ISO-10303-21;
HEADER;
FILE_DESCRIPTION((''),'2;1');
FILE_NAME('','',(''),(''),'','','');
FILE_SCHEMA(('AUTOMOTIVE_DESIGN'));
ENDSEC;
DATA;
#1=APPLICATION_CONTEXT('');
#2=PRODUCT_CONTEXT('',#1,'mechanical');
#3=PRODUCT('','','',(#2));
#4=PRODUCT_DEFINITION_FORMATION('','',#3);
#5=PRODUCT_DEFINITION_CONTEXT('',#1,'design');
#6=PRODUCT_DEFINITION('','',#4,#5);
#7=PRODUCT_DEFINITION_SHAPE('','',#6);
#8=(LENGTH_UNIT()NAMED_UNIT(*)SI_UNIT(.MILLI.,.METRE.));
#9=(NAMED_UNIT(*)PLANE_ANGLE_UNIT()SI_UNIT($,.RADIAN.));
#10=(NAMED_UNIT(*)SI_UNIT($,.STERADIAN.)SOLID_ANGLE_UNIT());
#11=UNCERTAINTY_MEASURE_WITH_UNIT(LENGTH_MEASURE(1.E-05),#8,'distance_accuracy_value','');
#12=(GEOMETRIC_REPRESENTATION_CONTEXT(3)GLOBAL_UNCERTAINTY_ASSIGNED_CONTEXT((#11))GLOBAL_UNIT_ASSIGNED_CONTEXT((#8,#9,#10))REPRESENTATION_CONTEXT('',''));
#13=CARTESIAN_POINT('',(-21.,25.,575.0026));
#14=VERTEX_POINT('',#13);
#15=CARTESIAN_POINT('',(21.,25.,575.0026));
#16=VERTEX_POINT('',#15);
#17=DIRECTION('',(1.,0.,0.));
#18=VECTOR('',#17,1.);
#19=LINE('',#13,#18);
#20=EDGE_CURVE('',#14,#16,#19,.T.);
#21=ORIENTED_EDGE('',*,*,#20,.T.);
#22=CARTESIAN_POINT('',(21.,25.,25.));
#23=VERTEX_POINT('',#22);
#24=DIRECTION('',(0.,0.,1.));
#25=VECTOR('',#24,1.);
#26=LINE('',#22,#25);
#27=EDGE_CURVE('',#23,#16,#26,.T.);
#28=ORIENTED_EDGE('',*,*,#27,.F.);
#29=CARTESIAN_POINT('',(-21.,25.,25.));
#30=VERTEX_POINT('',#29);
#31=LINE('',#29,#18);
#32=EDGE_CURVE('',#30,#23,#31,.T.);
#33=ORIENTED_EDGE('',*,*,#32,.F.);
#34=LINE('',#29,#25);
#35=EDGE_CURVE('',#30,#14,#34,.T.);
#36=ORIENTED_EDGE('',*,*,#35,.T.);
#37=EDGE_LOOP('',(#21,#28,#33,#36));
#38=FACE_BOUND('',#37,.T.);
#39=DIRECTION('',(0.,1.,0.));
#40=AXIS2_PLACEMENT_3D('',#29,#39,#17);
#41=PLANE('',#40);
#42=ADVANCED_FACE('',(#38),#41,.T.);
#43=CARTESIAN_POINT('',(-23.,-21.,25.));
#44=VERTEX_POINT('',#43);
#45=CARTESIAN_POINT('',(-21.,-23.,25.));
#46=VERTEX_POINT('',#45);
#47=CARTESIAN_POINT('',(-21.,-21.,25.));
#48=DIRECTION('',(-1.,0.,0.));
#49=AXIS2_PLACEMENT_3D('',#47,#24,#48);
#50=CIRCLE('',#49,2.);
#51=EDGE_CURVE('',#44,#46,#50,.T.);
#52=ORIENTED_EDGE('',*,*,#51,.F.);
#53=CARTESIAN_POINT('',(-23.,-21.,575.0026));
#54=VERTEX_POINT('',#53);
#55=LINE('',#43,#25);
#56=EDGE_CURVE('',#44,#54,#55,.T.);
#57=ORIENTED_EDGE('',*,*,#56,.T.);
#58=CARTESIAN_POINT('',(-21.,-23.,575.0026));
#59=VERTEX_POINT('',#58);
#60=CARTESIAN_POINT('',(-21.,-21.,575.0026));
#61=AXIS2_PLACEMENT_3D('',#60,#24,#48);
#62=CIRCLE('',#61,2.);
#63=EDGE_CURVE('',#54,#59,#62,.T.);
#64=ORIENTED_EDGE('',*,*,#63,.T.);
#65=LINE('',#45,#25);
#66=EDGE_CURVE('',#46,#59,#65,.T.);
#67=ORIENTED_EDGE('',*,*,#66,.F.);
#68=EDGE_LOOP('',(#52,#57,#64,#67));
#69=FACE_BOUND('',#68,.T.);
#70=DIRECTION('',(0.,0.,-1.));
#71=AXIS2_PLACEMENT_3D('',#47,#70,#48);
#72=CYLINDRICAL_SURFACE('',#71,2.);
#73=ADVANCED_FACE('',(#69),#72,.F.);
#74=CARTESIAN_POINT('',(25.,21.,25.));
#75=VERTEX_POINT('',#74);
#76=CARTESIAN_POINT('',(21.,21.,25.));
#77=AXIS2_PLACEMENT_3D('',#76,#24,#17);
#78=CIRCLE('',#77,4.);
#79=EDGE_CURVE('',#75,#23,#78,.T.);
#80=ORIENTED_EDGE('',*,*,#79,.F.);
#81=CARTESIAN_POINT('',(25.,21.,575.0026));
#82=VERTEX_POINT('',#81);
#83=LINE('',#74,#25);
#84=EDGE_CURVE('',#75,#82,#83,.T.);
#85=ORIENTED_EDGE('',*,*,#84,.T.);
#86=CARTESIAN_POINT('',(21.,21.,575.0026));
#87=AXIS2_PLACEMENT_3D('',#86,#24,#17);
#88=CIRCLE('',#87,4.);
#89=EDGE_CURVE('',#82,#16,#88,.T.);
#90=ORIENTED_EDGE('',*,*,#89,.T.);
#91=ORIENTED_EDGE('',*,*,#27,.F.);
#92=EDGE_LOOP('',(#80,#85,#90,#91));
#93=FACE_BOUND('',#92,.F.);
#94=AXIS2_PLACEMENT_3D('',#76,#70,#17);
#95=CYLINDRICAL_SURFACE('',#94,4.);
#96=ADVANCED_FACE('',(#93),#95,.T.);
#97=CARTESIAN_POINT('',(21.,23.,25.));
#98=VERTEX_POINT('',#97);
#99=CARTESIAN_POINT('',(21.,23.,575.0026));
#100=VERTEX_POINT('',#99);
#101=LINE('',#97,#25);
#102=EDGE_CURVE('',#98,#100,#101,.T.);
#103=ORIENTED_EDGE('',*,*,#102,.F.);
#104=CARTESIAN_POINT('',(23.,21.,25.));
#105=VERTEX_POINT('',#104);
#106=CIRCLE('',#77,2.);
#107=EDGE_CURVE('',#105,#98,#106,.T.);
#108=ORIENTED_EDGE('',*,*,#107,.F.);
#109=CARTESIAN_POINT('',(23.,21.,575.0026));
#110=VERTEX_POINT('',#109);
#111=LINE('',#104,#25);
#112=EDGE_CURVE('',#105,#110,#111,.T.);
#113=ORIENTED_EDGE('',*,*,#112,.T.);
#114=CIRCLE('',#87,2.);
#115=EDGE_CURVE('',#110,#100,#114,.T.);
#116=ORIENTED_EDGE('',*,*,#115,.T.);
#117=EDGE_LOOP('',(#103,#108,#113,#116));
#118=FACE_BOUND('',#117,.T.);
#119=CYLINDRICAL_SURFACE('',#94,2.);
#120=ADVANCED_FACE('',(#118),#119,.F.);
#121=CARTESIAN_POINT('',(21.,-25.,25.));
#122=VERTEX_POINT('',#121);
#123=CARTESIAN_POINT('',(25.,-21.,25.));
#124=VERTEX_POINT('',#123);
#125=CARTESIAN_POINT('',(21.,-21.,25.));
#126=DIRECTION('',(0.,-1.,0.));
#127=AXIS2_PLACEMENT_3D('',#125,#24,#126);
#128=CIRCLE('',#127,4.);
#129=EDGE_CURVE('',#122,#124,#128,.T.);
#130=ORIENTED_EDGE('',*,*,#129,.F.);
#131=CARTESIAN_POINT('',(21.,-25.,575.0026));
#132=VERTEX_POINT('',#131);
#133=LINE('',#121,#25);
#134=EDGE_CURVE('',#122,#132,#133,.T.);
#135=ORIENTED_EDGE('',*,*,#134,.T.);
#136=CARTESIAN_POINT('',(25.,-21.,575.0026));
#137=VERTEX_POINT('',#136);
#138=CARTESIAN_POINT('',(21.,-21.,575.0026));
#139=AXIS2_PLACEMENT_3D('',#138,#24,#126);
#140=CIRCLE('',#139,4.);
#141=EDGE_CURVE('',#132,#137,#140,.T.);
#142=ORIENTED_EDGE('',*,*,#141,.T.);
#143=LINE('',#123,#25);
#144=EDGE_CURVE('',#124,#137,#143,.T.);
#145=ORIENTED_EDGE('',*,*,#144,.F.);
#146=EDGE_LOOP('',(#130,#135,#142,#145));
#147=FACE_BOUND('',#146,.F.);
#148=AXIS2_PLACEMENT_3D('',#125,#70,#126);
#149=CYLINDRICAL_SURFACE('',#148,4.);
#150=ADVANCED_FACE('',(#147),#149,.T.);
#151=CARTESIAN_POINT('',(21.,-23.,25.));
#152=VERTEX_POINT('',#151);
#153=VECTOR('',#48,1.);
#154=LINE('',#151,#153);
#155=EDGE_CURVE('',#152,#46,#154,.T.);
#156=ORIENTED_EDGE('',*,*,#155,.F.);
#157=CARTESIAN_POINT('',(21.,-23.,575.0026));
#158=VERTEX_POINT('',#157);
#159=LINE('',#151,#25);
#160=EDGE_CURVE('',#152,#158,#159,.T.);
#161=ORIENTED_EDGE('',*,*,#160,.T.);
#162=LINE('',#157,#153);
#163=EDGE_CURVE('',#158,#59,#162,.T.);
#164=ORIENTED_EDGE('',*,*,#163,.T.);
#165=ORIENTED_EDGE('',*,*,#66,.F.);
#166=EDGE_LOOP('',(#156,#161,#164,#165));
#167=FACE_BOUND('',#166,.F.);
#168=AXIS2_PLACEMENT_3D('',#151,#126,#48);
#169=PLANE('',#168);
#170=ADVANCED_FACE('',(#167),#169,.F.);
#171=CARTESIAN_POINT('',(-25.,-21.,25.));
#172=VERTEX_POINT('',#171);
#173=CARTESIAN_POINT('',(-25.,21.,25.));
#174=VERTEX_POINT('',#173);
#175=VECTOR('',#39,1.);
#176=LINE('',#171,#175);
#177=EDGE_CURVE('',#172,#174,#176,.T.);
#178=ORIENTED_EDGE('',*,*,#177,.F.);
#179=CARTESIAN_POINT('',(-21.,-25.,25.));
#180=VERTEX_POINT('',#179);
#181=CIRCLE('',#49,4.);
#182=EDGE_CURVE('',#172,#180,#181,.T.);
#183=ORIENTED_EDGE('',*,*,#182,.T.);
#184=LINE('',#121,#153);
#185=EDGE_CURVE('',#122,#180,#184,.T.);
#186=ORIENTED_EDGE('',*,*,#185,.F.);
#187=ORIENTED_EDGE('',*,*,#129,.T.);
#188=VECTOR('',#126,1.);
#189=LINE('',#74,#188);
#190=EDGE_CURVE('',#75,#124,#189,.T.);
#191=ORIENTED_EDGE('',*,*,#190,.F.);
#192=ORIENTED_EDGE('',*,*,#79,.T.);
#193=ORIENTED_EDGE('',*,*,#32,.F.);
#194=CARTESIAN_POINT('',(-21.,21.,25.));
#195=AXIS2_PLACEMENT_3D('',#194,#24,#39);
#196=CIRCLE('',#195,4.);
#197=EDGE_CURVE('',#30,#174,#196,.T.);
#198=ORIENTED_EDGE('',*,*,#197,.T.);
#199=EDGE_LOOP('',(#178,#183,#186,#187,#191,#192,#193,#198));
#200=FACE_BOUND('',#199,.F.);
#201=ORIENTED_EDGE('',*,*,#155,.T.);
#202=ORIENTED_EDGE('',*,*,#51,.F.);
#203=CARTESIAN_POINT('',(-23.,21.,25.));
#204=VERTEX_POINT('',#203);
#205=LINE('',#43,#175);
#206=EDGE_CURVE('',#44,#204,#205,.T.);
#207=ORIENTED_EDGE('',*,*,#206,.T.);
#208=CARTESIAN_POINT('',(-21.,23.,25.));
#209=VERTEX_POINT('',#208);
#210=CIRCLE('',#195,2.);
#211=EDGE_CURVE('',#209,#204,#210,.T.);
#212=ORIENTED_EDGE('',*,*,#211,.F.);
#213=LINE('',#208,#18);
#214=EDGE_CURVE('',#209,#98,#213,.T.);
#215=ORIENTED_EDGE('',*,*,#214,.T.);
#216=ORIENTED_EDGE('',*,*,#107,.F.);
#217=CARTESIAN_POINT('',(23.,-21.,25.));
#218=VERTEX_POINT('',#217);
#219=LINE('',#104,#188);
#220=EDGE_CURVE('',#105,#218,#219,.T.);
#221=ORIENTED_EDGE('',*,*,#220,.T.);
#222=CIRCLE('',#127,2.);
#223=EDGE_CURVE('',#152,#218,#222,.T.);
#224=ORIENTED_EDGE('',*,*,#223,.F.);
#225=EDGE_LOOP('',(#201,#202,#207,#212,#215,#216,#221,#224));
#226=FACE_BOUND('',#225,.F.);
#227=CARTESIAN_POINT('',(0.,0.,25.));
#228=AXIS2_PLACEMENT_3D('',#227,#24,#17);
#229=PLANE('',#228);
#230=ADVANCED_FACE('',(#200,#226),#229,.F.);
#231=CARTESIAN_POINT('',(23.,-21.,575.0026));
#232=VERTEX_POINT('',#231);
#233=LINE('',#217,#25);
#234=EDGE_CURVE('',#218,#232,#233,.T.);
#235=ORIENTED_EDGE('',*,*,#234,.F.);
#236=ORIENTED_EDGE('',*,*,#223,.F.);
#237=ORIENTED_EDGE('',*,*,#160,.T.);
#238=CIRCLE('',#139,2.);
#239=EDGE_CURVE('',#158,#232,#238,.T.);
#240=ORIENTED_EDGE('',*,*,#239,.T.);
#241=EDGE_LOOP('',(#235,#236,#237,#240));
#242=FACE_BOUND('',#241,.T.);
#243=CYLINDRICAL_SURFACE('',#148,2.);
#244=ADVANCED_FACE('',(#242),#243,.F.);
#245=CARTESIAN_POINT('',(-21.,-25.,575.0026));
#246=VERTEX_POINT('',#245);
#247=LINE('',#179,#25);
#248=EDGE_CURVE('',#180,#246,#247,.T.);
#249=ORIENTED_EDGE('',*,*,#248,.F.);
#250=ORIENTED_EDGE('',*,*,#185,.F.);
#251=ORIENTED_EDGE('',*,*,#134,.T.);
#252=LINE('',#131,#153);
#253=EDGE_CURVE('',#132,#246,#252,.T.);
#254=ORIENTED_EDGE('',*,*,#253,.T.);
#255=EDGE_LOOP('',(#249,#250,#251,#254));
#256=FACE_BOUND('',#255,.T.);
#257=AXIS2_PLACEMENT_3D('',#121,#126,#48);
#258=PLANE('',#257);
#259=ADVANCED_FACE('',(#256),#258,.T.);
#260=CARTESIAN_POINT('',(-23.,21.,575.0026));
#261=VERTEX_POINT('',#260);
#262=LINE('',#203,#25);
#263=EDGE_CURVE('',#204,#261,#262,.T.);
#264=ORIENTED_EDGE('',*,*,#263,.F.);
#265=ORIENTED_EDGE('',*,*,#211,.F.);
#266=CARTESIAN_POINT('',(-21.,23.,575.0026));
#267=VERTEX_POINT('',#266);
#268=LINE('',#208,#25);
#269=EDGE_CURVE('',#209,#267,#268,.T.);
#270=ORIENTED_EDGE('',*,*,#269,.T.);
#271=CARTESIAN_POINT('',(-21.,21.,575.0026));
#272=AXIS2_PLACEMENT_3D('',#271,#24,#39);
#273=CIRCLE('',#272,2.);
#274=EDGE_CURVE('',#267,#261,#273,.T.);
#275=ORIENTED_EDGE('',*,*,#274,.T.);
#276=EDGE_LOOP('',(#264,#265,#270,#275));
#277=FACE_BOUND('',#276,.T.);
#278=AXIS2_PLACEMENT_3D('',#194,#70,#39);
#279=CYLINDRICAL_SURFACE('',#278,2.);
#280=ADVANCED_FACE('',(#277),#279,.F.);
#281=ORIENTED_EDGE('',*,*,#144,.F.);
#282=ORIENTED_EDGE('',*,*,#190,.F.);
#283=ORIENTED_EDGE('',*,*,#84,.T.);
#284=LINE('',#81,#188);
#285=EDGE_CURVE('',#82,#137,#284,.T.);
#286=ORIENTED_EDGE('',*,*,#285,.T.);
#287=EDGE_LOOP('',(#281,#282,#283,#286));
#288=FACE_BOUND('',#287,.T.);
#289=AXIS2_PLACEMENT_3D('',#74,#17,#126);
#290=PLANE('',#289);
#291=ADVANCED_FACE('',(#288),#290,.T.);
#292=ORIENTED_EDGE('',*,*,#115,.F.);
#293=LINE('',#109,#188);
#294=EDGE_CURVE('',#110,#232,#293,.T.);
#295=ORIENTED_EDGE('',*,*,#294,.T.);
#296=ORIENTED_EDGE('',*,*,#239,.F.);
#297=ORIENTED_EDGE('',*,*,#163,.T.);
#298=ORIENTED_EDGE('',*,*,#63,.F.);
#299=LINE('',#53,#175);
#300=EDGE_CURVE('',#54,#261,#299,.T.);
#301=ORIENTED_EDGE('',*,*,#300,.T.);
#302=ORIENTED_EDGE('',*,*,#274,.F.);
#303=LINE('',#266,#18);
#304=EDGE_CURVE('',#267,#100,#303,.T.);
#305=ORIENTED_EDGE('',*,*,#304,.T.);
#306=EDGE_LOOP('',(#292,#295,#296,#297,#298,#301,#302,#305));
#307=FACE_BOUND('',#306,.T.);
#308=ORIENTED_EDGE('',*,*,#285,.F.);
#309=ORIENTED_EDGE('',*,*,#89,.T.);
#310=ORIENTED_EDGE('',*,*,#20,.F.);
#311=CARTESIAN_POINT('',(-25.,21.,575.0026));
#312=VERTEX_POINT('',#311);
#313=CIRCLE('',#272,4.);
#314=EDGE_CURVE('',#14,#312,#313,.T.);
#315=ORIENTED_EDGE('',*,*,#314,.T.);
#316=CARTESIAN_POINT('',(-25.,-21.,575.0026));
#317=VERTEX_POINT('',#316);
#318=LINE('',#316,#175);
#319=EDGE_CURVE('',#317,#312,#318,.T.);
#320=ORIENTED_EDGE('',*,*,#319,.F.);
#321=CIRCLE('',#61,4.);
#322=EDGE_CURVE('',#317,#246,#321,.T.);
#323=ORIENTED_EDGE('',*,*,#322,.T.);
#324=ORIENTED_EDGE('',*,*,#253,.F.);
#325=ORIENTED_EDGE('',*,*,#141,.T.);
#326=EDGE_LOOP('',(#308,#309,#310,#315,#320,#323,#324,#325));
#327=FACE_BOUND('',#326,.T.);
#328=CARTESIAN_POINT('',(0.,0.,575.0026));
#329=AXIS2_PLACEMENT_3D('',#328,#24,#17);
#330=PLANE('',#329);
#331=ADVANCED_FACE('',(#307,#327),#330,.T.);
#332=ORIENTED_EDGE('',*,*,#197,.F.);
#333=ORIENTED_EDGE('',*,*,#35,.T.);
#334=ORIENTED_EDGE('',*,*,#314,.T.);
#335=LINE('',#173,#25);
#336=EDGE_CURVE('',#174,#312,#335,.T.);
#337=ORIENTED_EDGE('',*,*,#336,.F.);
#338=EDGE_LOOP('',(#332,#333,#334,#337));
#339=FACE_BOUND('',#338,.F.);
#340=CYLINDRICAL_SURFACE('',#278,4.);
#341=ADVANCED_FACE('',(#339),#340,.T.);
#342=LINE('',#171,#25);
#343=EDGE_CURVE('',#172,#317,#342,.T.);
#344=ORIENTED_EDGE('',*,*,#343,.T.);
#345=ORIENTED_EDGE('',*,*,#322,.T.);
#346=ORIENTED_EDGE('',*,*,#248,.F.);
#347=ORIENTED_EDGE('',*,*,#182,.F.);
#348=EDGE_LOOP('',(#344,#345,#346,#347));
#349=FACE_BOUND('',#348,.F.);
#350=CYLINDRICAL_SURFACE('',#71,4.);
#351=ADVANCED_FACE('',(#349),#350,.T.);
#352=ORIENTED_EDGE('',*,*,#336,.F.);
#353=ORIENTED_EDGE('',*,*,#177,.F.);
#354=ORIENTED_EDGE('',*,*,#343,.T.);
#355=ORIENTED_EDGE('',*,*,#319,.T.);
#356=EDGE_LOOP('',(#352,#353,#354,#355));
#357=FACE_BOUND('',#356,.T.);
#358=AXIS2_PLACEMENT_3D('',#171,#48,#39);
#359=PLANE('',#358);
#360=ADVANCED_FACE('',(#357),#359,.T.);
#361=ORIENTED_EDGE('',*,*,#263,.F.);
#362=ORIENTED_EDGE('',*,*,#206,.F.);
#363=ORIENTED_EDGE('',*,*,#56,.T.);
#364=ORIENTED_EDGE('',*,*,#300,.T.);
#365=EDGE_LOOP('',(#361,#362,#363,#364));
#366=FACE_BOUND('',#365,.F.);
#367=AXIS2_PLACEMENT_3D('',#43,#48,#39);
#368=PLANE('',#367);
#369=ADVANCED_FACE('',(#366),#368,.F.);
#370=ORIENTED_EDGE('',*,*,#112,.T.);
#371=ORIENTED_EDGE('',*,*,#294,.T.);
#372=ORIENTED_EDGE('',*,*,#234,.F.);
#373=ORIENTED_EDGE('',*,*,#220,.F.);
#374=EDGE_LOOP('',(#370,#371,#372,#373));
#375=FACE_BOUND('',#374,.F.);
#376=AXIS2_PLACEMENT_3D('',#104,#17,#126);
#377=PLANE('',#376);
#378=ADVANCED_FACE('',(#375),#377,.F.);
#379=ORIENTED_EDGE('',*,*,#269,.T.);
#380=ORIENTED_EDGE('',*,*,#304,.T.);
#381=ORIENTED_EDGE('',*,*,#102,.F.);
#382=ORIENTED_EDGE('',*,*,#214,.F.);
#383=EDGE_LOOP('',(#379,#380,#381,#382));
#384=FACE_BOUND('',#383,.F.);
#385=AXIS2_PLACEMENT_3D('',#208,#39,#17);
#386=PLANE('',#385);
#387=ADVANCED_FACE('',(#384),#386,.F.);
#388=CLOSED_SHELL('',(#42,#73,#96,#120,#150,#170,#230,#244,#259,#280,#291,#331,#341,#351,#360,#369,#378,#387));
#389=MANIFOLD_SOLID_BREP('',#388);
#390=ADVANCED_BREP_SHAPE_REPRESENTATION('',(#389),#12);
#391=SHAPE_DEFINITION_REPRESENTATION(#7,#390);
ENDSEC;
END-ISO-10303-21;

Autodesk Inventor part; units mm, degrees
ref_plane "Start Plane" through (0, 0, 25) normal (0, 0, 1) x (1, 0, 0)
ref_plane "End Plane" through (0, 0, 575.0026) normal (0, 0, 1) x (1, 0, 0)
sketch "Sketch" plane through (0, 0, 0) normal (0, 0, 1) x (1, 0, 0)
  line L0 (-25, -21) -> (-25, 21)
  line L1 (-21, 25) -> (21, 25)
  line L2 (25, 21) -> (25, -21)
  line L3 (21, -25) -> (-21, -25)
  arc A0 (-25, -21) -> (-21, -25) centre (-21, -21) ccw
  arc A1 (25, 21) -> (21, 25) centre (21, 21) ccw
  arc A2 (-21, 25) -> (-25, 21) centre (-21, 21) ccw
  arc A3 (21, -25) -> (25, -21) centre (21, -21) ccw
  arc A4 (-21, 23) -> (-23, 21) centre (-21, 21) ccw
  line L4 (-21, 23) -> (21, 23)
  arc A5 (23, 21) -> (21, 23) centre (21, 21) ccw
  line L5 (23, 21) -> (23, -21)
  arc A6 (21, -23) -> (23, -21) centre (21, -21) ccw
  line L6 (21, -23) -> (-21, -23)
  arc A7 (-23, -21) -> (-21, -23) centre (-21, -21) ccw
  line L7 (-23, -21) -> (-23, 21)
  line L8 (0, 36.1598) -> (0, -36.1598) construction
  line L9 (-36.1598, 0) -> (36.1598, 0) construction
  dimension "d7" = 4
  dimension "d9" = 50
  dimension "d11" = 50
  dimension "d12" = 2
  dimension "d15" = 25
  dimension "d16" = 25
extrude "Body" add sketch "Sketch" along normal up to surface (550.0026 mm away) from surface at 25
sketch "Sketch3" plane through (0, 0, 0) normal (0, 0, 1) x (1, 0, 0)
  line L0 (0, 0) -> (10, 0)
ref_plane "Work Plane3" through (0, 0, 0) normal (0, -1, 0) x (1, 0, 0)
sketch "Sketch4" plane through (0, 0, 0) normal (0, -1, 0) x (1, 0, 0)
  line L0 (-2, 25) -> (12, 25)
  line L1 (-2, 575.0026) -> (12, 575.0026)
  dimension "d18" = 550.0026
ref_plane "Work Plane4" through (-1780, 21, 575.0026) normal (0, 0, 1) x (1, 0, 0)
split "Split1" plane through (-1780, 21, 575.0026) removes the side toward (0, 0, 1)
ref_plane "Work Plane5" through (532.5, 21, 25) normal (0, 0, -1) x (-1, 0, 0)
split "Split2" plane through (532.5, 21, 25) removes the side toward (0, 0, -1)
equation "\"d7\" = G_IR"
equation "\"d9\" = G_W"
equation "\"d11\" = G_H"
equation "\"d12\" = G_T"
equation "\"d15\" = 0.5 * d9"
equation "\"d16\" = 0.5 * d11"
equation "\"d3\" = G_L"
equation "\"G_W\" = 50"
equation "\"G_H\" = 50"
equation "\"G_T\" = 2"
equation "\"G_IR\" = 4"
equation "\"G_L\" = d18"
equation "\"G_OFFSET_START\" = -25"
equation "\"G_OFFSET_END\" = -25"
equation "\"d13\" = -G_OFFSET_START"
equation "\"d14\" = G_OFFSET_END + B_L"
equation "\"B_L\" = 600.0026"
properties part number "ISO 10799-2 - 50x50x2 - 550"
